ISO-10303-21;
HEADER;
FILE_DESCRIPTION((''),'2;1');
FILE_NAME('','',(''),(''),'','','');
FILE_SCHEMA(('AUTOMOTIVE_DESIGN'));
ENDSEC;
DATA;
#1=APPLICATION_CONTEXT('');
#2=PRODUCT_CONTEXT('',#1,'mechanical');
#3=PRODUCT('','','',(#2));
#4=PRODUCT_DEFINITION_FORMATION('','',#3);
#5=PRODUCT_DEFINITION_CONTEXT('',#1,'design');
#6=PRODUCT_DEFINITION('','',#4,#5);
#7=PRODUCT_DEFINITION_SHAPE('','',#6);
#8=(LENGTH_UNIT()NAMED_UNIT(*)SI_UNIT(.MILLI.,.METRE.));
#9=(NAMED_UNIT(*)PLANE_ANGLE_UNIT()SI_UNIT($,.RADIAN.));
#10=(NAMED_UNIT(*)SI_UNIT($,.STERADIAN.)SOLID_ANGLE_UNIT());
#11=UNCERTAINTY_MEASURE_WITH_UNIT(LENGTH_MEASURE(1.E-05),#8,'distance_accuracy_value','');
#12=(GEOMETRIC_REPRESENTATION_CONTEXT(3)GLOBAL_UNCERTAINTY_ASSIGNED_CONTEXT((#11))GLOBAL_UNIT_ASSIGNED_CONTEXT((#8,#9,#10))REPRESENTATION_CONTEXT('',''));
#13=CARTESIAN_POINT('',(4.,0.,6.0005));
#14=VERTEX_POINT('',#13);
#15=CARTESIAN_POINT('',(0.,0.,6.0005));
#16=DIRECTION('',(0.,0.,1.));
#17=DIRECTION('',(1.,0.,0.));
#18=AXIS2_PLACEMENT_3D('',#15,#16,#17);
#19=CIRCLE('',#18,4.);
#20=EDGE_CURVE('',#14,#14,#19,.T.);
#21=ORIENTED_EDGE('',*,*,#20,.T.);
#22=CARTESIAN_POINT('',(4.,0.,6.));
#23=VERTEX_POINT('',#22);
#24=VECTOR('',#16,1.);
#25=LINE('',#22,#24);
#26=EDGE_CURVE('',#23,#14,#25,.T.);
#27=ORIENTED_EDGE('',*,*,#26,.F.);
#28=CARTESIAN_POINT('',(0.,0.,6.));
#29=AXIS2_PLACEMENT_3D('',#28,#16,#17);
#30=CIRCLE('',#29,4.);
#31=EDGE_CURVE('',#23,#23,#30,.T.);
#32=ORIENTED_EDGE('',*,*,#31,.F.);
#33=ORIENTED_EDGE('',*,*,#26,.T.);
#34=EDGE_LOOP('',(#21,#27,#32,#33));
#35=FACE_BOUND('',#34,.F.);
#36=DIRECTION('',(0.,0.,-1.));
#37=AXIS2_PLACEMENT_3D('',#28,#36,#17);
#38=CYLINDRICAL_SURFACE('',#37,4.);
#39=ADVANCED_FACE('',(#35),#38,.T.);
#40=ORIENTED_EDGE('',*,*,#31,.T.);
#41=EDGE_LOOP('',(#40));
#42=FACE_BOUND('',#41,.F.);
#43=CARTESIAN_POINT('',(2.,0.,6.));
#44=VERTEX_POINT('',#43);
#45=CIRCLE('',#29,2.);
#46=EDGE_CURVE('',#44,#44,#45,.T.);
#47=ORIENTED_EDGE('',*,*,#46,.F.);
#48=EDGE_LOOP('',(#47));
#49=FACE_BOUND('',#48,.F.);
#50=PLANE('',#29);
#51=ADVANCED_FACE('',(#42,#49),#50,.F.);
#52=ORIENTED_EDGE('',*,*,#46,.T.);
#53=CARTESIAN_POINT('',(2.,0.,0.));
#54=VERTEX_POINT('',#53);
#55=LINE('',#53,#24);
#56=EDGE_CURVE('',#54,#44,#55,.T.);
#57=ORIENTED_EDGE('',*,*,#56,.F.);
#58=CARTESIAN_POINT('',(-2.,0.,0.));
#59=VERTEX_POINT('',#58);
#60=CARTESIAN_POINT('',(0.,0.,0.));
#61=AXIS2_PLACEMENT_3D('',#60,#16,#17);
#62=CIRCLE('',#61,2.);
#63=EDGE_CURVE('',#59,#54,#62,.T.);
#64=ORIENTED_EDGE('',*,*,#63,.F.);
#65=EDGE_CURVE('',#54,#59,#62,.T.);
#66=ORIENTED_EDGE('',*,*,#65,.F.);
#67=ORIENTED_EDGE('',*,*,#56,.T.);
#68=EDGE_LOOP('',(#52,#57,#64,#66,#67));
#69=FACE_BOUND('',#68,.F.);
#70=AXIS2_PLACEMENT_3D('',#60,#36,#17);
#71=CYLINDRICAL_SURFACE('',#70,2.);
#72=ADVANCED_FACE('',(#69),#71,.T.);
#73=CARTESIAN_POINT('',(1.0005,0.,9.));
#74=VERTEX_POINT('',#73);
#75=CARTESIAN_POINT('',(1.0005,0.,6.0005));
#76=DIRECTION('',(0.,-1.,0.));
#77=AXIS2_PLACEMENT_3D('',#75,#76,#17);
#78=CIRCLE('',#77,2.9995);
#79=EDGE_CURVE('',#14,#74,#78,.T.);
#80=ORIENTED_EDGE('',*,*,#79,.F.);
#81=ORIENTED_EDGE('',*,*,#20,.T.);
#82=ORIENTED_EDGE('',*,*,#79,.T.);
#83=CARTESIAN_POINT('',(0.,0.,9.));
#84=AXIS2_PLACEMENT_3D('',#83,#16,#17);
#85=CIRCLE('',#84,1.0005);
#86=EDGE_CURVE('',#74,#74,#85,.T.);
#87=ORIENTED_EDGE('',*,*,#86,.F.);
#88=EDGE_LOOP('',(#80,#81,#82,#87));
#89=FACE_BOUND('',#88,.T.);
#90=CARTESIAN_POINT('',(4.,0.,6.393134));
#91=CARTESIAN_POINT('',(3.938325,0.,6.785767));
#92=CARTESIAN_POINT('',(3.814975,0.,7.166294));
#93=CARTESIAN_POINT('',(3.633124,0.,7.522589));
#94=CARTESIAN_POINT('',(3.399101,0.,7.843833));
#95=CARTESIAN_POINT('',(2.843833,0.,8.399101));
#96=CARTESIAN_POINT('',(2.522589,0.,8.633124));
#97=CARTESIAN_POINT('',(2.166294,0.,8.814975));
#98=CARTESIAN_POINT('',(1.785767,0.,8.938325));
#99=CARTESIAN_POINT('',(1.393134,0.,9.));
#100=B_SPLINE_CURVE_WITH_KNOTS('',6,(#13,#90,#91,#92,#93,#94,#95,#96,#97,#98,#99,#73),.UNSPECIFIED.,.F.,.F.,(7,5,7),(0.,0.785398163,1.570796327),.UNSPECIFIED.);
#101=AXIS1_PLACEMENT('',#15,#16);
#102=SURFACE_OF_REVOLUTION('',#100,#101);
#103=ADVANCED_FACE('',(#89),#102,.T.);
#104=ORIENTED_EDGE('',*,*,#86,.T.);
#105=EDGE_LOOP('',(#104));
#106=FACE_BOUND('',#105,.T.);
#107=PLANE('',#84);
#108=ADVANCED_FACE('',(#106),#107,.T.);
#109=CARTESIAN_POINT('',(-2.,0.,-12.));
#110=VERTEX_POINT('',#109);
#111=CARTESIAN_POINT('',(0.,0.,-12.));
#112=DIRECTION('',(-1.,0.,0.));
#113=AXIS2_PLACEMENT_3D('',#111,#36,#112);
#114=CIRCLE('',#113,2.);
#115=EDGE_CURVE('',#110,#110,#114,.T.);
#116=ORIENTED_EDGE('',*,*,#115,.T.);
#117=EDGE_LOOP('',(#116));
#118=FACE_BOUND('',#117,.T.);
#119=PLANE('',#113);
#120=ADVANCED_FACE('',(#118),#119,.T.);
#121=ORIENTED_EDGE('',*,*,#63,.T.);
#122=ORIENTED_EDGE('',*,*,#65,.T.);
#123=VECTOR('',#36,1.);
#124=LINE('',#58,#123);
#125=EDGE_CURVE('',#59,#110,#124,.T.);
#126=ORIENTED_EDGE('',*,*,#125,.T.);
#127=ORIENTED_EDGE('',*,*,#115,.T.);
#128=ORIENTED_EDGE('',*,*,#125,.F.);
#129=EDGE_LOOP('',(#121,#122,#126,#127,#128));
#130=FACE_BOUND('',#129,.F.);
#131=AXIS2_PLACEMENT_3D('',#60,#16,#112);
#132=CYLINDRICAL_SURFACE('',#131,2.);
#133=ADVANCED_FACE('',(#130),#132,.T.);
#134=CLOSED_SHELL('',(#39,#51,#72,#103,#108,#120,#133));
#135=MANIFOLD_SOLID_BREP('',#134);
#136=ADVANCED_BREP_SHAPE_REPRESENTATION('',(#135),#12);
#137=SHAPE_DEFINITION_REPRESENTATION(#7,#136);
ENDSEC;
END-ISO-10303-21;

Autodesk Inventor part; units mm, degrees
ref_plane "YZ Plane" through (0, 0, 0) normal (1, 0, 0) x (0, 1, 0)
ref_plane "XZ Plane" through (0, 0, 0) normal (0, 1, 0) x (-1, 0, 0)
ref_plane "XY Plane" through (0, 0, 0) normal (0, 0, 1) x (1, 0, 0)
sketch "スケッチ1" plane through (0, 0, 0) normal (0, 0, 1) x (1, 0, 0)
  circle A0 centre (0, 0) radius 2
  dimension "d0" = 4
extrude "押し出し1" add sketch "スケッチ1" along normal blind 6
sketch "スケッチ2" plane through (0, 0, 6) normal (0, 0, 1) x (1, 0, 0)
  circle A0 centre (0, 0) radius 2 projected
  circle A1 centre (0, 0) radius 4
  dimension "d3" = 8
extrude "押し出し2" add sketch "スケッチ2" along normal blind 3 contours A0 | A1
fillet "フィレット1" radius 3 1 edges at (-4, 0, 9)
thread "ねじ1" size "M4x0.7" class "6g" standard "ANSI Metric M Profile" full length
sketch "スケッチ3" plane through (0, 0, 0) normal (0, 0, -1) x (-1, 0, 0)
  circle A0 centre (0, 0) radius 2
extrude "押し出し3" add sketch "スケッチ3" along normal blind 12
properties part number "SB　M4 18mm なべネジ" material "Stainless Steel, 440C"
